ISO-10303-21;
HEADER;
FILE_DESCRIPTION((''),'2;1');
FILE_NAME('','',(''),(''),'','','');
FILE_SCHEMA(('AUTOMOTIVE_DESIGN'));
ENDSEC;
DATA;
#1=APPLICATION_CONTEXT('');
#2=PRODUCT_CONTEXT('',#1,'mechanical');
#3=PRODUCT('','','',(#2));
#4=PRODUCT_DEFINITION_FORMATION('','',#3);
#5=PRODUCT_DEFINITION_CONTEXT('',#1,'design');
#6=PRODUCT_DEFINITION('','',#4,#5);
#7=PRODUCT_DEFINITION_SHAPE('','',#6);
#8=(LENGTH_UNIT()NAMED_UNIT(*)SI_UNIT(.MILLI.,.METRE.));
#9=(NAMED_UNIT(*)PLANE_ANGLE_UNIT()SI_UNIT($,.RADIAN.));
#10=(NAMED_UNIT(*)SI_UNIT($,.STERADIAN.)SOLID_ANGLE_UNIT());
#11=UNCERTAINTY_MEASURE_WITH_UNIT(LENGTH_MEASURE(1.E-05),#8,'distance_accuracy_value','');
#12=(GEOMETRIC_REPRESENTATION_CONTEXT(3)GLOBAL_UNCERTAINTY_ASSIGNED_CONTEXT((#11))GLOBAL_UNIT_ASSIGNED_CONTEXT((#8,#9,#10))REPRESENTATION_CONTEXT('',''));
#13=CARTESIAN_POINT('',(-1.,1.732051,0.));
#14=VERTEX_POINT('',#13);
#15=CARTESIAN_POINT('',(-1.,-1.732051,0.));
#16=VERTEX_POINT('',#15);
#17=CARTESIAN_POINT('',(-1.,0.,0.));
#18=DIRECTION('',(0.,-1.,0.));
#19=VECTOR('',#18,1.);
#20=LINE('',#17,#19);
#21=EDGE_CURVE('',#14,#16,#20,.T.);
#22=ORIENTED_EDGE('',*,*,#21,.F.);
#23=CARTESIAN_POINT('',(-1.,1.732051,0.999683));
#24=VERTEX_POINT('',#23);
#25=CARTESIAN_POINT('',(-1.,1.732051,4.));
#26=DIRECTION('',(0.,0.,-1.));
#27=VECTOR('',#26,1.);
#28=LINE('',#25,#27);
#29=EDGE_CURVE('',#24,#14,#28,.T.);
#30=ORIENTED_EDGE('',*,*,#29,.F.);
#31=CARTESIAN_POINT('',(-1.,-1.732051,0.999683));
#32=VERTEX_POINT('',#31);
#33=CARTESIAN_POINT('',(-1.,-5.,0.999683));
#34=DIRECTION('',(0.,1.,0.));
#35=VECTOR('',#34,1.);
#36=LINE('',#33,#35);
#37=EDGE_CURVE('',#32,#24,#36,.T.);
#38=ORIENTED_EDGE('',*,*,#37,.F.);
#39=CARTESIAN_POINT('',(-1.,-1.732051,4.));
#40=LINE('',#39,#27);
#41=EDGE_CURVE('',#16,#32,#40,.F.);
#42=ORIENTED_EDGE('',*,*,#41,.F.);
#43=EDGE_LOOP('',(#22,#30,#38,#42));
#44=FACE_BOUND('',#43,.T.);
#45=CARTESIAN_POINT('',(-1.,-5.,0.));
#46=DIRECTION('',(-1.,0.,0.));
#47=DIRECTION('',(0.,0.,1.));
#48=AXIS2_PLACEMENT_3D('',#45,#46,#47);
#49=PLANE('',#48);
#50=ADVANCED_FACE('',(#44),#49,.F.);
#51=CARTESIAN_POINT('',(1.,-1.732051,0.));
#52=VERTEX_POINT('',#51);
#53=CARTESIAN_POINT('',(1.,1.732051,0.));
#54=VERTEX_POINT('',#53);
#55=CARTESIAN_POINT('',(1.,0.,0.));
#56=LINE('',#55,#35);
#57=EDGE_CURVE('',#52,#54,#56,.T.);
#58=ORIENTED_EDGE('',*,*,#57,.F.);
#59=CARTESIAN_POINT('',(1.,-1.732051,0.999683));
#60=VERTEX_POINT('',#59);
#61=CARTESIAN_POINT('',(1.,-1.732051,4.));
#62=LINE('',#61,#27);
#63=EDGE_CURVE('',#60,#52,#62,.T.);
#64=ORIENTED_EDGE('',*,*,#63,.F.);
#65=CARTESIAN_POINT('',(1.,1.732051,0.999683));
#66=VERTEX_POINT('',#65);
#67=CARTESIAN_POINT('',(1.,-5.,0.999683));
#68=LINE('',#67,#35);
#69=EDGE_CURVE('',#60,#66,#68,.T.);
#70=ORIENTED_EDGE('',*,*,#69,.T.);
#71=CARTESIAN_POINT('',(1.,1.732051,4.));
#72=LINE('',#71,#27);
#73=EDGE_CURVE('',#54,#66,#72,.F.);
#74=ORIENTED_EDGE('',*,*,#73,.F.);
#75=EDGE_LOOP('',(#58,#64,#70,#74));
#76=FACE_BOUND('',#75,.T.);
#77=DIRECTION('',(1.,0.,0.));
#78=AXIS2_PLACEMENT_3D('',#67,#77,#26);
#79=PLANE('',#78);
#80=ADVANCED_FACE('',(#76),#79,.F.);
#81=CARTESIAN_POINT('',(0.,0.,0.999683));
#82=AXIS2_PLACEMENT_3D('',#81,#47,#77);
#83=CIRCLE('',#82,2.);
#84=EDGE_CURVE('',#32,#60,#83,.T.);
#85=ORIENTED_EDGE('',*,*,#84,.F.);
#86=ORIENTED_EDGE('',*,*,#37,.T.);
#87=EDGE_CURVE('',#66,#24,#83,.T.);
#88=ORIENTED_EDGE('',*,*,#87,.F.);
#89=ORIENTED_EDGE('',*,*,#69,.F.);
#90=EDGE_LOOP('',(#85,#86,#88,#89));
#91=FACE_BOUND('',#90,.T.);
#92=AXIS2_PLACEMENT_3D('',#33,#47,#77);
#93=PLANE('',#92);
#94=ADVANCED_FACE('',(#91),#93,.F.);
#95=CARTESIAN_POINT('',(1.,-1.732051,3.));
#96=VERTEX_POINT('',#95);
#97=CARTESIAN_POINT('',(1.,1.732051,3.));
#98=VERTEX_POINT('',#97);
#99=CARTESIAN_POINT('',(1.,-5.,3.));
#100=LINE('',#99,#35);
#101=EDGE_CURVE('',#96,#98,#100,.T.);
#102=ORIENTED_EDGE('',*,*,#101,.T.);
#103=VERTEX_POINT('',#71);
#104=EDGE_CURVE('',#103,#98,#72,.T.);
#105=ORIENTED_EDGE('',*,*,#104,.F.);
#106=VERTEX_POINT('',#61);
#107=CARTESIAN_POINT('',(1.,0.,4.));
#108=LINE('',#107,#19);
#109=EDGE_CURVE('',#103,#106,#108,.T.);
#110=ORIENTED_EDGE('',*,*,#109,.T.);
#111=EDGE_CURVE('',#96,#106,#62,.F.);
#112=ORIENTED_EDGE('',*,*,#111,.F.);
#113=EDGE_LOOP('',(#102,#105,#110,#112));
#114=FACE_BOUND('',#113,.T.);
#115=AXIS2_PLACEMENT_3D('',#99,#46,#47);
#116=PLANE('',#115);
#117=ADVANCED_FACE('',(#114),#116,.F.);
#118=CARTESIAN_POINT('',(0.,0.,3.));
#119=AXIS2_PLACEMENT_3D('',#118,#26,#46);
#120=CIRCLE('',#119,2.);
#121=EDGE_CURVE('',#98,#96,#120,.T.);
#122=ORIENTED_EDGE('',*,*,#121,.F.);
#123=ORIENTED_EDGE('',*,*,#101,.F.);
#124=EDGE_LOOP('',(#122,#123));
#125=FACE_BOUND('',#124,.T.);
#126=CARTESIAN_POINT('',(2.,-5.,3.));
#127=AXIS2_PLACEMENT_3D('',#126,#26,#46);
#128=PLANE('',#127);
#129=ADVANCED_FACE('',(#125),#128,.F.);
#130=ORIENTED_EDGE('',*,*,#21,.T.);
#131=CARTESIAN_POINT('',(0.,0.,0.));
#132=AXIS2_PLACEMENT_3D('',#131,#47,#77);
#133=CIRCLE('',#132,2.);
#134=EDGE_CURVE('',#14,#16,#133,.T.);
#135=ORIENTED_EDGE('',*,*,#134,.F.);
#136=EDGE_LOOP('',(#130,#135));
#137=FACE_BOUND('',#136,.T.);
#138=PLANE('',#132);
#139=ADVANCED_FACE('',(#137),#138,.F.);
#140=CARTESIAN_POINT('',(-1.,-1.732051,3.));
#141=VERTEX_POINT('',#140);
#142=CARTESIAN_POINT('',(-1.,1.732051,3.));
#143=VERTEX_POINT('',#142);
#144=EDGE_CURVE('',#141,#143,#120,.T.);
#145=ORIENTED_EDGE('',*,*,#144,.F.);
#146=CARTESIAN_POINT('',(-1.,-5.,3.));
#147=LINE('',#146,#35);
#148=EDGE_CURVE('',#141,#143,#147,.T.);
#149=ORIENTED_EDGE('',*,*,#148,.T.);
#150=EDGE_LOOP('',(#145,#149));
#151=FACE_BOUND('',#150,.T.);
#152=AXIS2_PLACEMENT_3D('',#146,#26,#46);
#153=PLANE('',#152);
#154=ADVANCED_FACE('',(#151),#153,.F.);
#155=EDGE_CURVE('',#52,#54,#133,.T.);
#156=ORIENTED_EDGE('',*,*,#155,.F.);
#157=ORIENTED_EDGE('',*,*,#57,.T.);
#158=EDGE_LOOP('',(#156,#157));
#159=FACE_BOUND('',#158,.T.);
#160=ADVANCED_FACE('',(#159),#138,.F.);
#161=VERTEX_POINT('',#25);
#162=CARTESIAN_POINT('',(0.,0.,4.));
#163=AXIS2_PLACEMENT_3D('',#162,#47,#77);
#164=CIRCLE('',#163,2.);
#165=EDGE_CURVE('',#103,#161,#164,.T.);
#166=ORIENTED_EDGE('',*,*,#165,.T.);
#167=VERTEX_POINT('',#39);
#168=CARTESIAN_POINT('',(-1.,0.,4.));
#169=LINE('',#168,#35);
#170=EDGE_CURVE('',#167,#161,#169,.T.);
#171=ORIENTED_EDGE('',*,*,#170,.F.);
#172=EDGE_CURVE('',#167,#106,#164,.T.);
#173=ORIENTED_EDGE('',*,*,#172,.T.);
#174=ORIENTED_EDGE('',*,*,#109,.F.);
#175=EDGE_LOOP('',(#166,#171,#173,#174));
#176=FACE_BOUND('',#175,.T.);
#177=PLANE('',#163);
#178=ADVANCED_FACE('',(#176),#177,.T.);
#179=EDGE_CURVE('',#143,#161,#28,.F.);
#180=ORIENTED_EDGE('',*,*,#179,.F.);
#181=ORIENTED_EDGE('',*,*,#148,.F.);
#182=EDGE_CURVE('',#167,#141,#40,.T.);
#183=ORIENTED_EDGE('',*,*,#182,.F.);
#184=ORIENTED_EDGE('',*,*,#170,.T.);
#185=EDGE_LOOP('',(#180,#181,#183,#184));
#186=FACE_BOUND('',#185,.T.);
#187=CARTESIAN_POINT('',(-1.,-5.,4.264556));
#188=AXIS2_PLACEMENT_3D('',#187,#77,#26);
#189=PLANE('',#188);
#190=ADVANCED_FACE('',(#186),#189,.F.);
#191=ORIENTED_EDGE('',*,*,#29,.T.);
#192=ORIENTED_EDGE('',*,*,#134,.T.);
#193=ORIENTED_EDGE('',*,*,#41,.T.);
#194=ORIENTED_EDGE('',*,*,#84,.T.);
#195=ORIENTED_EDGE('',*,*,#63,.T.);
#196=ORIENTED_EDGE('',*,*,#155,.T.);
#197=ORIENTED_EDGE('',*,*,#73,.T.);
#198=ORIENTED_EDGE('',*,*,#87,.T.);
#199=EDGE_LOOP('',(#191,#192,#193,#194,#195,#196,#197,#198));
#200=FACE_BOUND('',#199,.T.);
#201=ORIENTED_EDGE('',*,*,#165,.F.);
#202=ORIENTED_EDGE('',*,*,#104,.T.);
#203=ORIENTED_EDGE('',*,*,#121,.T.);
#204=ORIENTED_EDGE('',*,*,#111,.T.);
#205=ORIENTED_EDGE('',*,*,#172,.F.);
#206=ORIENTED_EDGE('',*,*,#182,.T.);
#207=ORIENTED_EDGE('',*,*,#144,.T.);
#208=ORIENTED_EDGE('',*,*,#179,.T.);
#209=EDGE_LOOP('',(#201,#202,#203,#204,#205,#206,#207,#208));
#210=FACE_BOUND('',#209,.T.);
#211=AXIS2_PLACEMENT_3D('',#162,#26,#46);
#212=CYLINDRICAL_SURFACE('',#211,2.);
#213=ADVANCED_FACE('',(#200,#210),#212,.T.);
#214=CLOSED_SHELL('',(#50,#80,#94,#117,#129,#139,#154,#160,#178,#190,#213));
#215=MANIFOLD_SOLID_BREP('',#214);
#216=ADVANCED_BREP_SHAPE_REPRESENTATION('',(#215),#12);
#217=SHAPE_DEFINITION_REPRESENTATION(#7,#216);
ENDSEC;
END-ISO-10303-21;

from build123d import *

# Parameters (mm, degrees)
SKETCH1_R           = 2
BOSS_EXTRUDE1_DEPTH = 4
SKETCH2_W           = 2
SKETCH2_H           = 0.99968346
CUT_EXTRUDE1_DEPTH  = 5


with BuildPart() as part:
    # Sketch1 → Boss-Extrude1 (new body)
    with BuildSketch(Plane.XY):
        Circle(SKETCH1_R)
    extrude(amount=BOSS_EXTRUDE1_DEPTH)

    # Sketch2 → Cut-Extrude1 (cut, symmetric)
    with BuildSketch(Plane(origin=(0, 0, 0), x_dir=(1, 0, 0), z_dir=(0, 1, 0))):
        Polygon((2, -3), (1, -3), (1, -4.221507546), (-1, -4.26455627), (-1, -3), (-2.31386892, -3), (-2.489753088, -4.306979917), (2, -4.619024092), (2.554571986, -4.221507546), align=None)
        with Locations((0, -0.49984173)):
            Rectangle(SKETCH2_W, SKETCH2_H)
    extrude(amount=CUT_EXTRUDE1_DEPTH, both=True, mode=Mode.SUBTRACT)


solid = part.part
